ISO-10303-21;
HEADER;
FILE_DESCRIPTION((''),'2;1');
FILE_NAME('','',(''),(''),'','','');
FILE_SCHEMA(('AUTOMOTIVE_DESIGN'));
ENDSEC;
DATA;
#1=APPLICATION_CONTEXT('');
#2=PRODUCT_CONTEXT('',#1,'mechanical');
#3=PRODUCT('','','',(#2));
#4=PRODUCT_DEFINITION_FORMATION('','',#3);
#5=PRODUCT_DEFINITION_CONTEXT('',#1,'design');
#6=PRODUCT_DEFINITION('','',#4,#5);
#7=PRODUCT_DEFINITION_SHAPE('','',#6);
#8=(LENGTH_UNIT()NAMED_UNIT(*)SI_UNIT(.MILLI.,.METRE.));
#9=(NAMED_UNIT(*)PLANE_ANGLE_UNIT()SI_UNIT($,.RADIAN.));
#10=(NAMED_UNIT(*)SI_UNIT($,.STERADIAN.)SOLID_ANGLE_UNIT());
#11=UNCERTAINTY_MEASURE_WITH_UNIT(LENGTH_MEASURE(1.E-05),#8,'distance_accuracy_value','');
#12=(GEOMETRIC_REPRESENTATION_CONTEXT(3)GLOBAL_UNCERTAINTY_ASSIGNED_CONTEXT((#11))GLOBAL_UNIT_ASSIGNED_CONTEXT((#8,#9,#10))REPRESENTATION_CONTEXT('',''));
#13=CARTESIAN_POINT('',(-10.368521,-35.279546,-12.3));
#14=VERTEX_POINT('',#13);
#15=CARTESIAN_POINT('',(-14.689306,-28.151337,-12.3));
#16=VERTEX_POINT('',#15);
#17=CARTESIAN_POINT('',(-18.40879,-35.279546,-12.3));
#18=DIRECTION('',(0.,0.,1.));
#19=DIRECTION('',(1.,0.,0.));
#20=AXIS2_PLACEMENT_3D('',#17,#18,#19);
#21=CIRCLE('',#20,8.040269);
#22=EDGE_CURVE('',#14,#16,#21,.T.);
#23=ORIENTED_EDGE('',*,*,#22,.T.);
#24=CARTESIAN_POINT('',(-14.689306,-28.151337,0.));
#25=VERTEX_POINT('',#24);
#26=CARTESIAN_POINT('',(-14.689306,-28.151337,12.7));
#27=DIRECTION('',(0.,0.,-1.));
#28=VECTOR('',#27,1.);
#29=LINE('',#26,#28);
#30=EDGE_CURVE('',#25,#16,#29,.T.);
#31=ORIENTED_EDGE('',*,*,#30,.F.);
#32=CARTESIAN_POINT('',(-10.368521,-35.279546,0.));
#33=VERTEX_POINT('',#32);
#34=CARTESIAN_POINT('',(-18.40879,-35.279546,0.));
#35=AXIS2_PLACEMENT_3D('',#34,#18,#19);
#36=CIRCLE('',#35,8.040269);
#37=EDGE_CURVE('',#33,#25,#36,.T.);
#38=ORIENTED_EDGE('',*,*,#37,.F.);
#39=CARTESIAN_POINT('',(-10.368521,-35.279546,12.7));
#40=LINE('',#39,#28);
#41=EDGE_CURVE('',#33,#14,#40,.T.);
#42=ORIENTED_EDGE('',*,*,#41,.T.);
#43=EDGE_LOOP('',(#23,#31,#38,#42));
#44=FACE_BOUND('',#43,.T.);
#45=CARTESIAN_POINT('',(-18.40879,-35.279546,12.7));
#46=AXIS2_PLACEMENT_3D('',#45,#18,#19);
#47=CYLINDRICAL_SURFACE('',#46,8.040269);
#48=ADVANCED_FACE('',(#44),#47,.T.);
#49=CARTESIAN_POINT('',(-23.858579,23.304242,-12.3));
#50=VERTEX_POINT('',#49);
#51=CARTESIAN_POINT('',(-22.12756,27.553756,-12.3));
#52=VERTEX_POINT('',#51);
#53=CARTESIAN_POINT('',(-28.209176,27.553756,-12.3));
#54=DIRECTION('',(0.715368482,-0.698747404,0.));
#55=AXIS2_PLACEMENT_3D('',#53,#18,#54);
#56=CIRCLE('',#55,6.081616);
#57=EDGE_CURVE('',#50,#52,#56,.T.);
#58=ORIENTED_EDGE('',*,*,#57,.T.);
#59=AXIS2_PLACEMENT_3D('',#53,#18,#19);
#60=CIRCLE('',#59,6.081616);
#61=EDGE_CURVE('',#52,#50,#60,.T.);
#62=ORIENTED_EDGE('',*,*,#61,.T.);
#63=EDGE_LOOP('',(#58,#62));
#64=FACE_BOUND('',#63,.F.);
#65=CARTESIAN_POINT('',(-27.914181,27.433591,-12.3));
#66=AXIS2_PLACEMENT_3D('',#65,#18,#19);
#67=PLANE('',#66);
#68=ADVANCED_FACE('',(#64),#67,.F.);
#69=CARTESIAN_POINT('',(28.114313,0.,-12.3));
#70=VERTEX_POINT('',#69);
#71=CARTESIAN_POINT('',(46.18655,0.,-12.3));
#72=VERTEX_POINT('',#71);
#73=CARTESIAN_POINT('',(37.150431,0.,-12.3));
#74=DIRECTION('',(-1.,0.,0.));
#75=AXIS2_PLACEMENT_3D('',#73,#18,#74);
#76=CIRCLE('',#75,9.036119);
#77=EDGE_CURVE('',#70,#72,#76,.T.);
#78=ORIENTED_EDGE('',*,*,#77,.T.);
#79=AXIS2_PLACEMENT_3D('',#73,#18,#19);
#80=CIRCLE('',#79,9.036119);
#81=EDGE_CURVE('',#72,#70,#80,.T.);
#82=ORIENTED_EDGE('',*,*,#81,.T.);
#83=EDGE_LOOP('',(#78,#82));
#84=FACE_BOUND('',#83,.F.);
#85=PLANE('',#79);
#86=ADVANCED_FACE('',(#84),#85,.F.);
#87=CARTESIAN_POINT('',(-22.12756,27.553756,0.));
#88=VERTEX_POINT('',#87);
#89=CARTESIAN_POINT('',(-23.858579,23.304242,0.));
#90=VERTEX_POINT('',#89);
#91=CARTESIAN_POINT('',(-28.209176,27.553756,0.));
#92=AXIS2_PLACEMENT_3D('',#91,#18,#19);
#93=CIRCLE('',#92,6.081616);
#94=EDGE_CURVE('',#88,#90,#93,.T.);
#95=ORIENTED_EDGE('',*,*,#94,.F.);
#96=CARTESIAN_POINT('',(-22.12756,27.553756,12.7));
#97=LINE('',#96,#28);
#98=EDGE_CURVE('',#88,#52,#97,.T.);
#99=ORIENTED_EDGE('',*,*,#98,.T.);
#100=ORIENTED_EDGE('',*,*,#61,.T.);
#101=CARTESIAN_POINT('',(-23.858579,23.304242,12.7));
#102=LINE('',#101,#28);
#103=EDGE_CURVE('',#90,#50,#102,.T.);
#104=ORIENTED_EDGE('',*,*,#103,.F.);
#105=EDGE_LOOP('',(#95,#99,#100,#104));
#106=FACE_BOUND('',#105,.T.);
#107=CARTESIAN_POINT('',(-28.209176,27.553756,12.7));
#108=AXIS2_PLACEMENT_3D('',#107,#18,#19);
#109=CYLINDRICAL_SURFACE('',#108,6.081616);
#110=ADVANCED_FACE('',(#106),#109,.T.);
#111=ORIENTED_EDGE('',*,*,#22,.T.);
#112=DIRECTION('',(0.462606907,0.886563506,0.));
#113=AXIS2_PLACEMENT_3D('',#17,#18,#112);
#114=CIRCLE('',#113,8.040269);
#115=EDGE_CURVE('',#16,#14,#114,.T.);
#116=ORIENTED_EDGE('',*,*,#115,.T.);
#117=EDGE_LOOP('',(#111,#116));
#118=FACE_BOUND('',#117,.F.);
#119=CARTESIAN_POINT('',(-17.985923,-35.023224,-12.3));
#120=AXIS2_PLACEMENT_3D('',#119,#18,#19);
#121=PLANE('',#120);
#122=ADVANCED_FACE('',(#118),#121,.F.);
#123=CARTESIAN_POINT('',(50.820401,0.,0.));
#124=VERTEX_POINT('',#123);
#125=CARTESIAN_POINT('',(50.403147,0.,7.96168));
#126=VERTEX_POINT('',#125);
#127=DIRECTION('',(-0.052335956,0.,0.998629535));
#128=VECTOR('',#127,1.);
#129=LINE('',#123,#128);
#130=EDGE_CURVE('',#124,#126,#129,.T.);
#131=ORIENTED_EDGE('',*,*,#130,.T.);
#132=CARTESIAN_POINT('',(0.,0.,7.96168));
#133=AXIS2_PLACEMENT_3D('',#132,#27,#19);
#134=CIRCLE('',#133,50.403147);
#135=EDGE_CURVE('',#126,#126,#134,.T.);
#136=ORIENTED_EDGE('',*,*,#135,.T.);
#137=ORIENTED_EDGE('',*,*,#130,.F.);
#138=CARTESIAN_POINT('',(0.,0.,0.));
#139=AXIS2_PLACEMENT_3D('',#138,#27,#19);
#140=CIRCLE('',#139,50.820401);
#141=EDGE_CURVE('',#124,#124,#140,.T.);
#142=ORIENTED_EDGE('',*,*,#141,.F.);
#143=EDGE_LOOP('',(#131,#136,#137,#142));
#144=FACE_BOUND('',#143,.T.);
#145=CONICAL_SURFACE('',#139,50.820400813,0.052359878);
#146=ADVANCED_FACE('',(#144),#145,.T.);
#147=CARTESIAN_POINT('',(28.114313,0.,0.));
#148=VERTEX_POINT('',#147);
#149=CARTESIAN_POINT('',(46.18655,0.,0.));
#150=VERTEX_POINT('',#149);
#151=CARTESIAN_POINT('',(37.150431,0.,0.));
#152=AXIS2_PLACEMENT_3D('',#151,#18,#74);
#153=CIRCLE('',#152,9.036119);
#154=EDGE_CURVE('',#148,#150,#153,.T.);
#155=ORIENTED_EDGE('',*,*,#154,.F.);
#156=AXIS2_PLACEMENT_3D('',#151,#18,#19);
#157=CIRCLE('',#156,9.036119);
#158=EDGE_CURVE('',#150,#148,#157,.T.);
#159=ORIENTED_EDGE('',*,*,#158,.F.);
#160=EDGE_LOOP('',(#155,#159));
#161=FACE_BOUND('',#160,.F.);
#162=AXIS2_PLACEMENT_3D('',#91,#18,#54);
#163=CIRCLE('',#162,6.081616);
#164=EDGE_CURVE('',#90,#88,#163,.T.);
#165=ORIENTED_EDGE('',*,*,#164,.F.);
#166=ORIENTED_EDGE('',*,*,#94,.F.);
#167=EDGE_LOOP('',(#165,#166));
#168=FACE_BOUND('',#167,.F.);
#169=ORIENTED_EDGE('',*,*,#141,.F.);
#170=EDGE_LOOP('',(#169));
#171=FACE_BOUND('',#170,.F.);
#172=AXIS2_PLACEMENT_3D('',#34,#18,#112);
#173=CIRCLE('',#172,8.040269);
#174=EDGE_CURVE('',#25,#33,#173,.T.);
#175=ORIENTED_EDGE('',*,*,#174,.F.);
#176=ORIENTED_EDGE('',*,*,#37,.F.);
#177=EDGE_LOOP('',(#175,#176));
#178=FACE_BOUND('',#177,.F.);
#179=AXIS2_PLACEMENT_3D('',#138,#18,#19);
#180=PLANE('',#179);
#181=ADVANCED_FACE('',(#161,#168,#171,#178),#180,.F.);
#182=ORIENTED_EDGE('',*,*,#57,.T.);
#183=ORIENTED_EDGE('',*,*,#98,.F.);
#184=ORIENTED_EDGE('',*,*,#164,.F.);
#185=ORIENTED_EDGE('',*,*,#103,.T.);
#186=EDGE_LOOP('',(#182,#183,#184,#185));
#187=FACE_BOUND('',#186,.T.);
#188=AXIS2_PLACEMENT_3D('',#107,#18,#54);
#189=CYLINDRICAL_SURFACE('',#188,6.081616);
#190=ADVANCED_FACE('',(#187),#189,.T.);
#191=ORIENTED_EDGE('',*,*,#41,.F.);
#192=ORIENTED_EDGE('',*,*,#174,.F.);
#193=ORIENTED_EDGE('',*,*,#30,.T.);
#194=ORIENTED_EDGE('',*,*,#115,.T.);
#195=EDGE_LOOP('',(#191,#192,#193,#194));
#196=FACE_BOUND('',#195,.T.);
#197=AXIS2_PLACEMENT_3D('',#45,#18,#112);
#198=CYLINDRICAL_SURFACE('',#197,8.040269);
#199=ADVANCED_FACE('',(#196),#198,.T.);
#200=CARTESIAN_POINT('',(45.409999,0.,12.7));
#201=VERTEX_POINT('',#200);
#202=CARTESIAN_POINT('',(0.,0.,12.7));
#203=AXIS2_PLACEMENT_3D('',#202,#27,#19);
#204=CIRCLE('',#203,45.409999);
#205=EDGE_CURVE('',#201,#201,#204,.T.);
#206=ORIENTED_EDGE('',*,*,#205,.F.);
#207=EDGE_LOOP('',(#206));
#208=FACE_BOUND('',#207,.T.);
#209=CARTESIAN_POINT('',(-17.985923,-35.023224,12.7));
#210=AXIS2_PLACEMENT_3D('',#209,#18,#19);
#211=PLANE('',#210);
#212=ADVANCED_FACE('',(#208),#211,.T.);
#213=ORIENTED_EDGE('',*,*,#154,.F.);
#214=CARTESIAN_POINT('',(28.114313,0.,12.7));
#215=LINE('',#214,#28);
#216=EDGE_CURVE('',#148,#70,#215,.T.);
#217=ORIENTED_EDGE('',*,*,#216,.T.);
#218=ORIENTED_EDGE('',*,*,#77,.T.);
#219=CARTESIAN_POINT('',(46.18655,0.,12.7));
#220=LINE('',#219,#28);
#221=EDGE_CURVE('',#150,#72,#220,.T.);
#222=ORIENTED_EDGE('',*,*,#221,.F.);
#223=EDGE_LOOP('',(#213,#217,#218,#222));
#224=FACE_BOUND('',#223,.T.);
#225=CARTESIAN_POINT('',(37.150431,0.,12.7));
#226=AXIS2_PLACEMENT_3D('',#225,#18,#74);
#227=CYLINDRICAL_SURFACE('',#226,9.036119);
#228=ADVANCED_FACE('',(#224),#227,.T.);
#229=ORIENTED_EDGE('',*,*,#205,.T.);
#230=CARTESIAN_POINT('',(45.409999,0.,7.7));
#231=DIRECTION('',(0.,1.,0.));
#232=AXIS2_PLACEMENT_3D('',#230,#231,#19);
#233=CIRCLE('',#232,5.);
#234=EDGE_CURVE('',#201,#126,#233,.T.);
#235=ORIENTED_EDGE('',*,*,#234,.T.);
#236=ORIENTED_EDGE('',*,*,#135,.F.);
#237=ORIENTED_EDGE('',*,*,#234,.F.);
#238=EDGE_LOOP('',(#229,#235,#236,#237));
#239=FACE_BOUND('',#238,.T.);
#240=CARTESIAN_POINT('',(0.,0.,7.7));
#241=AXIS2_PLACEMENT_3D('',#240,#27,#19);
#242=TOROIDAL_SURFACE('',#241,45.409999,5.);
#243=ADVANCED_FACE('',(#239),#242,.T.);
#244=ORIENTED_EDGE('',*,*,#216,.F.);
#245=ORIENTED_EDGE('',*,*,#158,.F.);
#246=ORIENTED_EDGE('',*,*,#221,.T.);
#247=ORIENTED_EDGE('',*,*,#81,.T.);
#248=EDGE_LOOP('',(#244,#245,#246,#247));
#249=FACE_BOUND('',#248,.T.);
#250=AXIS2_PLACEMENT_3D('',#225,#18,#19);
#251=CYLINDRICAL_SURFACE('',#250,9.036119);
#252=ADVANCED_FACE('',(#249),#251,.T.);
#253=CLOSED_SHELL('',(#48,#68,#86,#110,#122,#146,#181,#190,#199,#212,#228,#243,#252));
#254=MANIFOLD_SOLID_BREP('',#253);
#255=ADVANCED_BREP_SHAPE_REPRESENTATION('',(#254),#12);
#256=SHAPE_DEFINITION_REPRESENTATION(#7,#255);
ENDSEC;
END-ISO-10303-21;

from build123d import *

# Parameters (mm, degrees)
F0_R     = 50.8204008134
F1_DEPTH = 12.7
F1_TAPER = 3
F3_DEPTH = 25
F4_R     = 5


with BuildPart() as f1:
    # F0 (on Top) → F1 (new body)
    with BuildSketch(Plane.XY):
        Circle(F0_R)
    extrude(amount=F1_DEPTH, taper=F1_TAPER)

    # F2 (on face) → F3 (join)
    with BuildSketch(Plane.XY.offset(12.7)):
        with BuildLine():
            ThreePointArc((-10.3685208828, -35.279545933), (-11.5330508003, -31.1117961239), (-14.6893061002, -28.1513365513))
            ThreePointArc((-14.6893061002, -28.1513365513), (-25.2845296612, -39.4472957421), (-10.3685208828, -35.279545933))
        make_face()
        with BuildLine():
            ThreePointArc((46.1865502421, 0), (37.1504314244, 9.0361188178), (28.1143126066, 0))
            ThreePointArc((28.1143126066, 0), (37.1504314244, -9.0361188178), (46.1865502421, 0))
        make_face()
        with BuildLine():
            ThreePointArc((-22.1275595237, 27.55375579), (-33.8414364746, 29.8480310368), (-23.8585792296, 23.3042421225))
            ThreePointArc((-23.8585792296, 23.3042421225), (-22.5769153544, 25.2594805432), (-22.1275595237, 27.55375579))
        make_face()
    extrude(amount=-F3_DEPTH)

    # F4
    f4_edges = [f1.edges().sort_by_distance(p)[0] for p in [
        (-50.154822, 0, 12.7),
    ]]
    fillet(f4_edges, radius=F4_R)


solid = f1.part
